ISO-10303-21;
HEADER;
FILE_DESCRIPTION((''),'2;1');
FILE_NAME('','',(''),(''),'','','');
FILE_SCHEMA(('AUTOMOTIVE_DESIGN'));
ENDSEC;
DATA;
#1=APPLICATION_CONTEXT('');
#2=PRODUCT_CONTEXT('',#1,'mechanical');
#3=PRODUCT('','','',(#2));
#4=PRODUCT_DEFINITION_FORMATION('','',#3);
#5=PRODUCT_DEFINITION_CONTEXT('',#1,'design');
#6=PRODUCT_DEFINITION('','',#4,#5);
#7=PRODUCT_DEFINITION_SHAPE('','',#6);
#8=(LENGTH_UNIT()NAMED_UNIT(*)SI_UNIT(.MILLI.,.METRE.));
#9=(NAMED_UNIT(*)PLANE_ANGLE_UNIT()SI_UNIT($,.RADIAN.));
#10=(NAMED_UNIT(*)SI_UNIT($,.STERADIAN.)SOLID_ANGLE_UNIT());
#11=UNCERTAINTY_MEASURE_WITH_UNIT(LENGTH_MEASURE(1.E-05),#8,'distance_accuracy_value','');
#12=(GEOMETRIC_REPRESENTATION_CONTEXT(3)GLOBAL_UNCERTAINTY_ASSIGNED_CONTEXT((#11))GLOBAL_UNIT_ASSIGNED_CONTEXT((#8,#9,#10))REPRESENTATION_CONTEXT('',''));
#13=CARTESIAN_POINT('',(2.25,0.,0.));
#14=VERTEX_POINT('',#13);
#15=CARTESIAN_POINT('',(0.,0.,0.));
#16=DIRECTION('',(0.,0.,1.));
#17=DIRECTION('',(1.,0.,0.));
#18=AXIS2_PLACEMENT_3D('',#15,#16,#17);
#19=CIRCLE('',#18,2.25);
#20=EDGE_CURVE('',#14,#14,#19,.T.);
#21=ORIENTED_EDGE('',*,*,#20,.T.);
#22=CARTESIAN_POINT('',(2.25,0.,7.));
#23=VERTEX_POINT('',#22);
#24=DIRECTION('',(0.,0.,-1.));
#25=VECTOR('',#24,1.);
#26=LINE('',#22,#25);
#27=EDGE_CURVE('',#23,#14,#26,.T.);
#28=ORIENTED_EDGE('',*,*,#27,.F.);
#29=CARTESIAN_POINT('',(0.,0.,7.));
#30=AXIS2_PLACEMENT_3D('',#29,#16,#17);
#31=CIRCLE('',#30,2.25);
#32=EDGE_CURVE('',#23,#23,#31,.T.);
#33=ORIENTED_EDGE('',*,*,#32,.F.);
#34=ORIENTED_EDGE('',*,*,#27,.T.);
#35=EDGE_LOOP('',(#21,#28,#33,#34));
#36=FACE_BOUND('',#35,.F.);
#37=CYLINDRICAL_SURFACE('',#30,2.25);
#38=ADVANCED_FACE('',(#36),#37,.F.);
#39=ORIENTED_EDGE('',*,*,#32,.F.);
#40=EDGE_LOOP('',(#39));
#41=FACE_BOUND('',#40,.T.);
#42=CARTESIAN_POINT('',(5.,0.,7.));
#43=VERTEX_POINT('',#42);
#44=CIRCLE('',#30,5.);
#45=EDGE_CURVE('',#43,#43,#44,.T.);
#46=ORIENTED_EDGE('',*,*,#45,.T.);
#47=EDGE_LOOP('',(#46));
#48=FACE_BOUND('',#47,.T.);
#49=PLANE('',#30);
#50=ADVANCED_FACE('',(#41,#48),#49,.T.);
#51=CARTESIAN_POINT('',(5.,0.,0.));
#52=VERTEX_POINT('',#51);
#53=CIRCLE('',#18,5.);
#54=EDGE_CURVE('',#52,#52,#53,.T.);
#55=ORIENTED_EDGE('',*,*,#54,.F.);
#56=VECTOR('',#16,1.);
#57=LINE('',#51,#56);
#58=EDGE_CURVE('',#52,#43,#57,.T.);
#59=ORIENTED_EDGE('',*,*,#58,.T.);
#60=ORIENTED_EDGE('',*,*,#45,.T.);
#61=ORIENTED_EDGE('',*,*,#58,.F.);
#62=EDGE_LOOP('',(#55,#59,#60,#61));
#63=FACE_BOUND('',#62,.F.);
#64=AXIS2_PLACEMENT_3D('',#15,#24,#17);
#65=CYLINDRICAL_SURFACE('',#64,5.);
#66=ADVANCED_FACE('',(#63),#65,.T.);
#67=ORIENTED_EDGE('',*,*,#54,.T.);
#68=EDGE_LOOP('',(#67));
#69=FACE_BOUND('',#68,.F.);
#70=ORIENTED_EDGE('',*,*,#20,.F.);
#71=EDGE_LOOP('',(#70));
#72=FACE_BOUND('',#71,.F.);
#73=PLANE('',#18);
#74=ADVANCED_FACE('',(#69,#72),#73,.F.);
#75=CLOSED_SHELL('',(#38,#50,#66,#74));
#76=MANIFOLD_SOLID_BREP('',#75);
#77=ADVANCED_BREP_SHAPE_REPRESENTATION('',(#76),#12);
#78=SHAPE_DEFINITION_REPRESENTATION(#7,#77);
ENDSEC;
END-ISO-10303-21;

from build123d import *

# Parameters (mm, degrees)
SKETCH_R     = 5
PAD_DEPTH    = 7
SKETCH001_R  = 2.25
POCKET_DEPTH = 7.001


with BuildPart() as part:
    # Sketch → Pad (new body)
    with BuildSketch(Plane.XY):
        Circle(SKETCH_R)
    extrude(amount=PAD_DEPTH)

    # Sketch001 → Pocket (cut, through all)
    with BuildSketch(Plane.XY.offset(7)):
        Circle(SKETCH001_R)
    extrude(amount=-POCKET_DEPTH, mode=Mode.SUBTRACT)


solid = part.part
